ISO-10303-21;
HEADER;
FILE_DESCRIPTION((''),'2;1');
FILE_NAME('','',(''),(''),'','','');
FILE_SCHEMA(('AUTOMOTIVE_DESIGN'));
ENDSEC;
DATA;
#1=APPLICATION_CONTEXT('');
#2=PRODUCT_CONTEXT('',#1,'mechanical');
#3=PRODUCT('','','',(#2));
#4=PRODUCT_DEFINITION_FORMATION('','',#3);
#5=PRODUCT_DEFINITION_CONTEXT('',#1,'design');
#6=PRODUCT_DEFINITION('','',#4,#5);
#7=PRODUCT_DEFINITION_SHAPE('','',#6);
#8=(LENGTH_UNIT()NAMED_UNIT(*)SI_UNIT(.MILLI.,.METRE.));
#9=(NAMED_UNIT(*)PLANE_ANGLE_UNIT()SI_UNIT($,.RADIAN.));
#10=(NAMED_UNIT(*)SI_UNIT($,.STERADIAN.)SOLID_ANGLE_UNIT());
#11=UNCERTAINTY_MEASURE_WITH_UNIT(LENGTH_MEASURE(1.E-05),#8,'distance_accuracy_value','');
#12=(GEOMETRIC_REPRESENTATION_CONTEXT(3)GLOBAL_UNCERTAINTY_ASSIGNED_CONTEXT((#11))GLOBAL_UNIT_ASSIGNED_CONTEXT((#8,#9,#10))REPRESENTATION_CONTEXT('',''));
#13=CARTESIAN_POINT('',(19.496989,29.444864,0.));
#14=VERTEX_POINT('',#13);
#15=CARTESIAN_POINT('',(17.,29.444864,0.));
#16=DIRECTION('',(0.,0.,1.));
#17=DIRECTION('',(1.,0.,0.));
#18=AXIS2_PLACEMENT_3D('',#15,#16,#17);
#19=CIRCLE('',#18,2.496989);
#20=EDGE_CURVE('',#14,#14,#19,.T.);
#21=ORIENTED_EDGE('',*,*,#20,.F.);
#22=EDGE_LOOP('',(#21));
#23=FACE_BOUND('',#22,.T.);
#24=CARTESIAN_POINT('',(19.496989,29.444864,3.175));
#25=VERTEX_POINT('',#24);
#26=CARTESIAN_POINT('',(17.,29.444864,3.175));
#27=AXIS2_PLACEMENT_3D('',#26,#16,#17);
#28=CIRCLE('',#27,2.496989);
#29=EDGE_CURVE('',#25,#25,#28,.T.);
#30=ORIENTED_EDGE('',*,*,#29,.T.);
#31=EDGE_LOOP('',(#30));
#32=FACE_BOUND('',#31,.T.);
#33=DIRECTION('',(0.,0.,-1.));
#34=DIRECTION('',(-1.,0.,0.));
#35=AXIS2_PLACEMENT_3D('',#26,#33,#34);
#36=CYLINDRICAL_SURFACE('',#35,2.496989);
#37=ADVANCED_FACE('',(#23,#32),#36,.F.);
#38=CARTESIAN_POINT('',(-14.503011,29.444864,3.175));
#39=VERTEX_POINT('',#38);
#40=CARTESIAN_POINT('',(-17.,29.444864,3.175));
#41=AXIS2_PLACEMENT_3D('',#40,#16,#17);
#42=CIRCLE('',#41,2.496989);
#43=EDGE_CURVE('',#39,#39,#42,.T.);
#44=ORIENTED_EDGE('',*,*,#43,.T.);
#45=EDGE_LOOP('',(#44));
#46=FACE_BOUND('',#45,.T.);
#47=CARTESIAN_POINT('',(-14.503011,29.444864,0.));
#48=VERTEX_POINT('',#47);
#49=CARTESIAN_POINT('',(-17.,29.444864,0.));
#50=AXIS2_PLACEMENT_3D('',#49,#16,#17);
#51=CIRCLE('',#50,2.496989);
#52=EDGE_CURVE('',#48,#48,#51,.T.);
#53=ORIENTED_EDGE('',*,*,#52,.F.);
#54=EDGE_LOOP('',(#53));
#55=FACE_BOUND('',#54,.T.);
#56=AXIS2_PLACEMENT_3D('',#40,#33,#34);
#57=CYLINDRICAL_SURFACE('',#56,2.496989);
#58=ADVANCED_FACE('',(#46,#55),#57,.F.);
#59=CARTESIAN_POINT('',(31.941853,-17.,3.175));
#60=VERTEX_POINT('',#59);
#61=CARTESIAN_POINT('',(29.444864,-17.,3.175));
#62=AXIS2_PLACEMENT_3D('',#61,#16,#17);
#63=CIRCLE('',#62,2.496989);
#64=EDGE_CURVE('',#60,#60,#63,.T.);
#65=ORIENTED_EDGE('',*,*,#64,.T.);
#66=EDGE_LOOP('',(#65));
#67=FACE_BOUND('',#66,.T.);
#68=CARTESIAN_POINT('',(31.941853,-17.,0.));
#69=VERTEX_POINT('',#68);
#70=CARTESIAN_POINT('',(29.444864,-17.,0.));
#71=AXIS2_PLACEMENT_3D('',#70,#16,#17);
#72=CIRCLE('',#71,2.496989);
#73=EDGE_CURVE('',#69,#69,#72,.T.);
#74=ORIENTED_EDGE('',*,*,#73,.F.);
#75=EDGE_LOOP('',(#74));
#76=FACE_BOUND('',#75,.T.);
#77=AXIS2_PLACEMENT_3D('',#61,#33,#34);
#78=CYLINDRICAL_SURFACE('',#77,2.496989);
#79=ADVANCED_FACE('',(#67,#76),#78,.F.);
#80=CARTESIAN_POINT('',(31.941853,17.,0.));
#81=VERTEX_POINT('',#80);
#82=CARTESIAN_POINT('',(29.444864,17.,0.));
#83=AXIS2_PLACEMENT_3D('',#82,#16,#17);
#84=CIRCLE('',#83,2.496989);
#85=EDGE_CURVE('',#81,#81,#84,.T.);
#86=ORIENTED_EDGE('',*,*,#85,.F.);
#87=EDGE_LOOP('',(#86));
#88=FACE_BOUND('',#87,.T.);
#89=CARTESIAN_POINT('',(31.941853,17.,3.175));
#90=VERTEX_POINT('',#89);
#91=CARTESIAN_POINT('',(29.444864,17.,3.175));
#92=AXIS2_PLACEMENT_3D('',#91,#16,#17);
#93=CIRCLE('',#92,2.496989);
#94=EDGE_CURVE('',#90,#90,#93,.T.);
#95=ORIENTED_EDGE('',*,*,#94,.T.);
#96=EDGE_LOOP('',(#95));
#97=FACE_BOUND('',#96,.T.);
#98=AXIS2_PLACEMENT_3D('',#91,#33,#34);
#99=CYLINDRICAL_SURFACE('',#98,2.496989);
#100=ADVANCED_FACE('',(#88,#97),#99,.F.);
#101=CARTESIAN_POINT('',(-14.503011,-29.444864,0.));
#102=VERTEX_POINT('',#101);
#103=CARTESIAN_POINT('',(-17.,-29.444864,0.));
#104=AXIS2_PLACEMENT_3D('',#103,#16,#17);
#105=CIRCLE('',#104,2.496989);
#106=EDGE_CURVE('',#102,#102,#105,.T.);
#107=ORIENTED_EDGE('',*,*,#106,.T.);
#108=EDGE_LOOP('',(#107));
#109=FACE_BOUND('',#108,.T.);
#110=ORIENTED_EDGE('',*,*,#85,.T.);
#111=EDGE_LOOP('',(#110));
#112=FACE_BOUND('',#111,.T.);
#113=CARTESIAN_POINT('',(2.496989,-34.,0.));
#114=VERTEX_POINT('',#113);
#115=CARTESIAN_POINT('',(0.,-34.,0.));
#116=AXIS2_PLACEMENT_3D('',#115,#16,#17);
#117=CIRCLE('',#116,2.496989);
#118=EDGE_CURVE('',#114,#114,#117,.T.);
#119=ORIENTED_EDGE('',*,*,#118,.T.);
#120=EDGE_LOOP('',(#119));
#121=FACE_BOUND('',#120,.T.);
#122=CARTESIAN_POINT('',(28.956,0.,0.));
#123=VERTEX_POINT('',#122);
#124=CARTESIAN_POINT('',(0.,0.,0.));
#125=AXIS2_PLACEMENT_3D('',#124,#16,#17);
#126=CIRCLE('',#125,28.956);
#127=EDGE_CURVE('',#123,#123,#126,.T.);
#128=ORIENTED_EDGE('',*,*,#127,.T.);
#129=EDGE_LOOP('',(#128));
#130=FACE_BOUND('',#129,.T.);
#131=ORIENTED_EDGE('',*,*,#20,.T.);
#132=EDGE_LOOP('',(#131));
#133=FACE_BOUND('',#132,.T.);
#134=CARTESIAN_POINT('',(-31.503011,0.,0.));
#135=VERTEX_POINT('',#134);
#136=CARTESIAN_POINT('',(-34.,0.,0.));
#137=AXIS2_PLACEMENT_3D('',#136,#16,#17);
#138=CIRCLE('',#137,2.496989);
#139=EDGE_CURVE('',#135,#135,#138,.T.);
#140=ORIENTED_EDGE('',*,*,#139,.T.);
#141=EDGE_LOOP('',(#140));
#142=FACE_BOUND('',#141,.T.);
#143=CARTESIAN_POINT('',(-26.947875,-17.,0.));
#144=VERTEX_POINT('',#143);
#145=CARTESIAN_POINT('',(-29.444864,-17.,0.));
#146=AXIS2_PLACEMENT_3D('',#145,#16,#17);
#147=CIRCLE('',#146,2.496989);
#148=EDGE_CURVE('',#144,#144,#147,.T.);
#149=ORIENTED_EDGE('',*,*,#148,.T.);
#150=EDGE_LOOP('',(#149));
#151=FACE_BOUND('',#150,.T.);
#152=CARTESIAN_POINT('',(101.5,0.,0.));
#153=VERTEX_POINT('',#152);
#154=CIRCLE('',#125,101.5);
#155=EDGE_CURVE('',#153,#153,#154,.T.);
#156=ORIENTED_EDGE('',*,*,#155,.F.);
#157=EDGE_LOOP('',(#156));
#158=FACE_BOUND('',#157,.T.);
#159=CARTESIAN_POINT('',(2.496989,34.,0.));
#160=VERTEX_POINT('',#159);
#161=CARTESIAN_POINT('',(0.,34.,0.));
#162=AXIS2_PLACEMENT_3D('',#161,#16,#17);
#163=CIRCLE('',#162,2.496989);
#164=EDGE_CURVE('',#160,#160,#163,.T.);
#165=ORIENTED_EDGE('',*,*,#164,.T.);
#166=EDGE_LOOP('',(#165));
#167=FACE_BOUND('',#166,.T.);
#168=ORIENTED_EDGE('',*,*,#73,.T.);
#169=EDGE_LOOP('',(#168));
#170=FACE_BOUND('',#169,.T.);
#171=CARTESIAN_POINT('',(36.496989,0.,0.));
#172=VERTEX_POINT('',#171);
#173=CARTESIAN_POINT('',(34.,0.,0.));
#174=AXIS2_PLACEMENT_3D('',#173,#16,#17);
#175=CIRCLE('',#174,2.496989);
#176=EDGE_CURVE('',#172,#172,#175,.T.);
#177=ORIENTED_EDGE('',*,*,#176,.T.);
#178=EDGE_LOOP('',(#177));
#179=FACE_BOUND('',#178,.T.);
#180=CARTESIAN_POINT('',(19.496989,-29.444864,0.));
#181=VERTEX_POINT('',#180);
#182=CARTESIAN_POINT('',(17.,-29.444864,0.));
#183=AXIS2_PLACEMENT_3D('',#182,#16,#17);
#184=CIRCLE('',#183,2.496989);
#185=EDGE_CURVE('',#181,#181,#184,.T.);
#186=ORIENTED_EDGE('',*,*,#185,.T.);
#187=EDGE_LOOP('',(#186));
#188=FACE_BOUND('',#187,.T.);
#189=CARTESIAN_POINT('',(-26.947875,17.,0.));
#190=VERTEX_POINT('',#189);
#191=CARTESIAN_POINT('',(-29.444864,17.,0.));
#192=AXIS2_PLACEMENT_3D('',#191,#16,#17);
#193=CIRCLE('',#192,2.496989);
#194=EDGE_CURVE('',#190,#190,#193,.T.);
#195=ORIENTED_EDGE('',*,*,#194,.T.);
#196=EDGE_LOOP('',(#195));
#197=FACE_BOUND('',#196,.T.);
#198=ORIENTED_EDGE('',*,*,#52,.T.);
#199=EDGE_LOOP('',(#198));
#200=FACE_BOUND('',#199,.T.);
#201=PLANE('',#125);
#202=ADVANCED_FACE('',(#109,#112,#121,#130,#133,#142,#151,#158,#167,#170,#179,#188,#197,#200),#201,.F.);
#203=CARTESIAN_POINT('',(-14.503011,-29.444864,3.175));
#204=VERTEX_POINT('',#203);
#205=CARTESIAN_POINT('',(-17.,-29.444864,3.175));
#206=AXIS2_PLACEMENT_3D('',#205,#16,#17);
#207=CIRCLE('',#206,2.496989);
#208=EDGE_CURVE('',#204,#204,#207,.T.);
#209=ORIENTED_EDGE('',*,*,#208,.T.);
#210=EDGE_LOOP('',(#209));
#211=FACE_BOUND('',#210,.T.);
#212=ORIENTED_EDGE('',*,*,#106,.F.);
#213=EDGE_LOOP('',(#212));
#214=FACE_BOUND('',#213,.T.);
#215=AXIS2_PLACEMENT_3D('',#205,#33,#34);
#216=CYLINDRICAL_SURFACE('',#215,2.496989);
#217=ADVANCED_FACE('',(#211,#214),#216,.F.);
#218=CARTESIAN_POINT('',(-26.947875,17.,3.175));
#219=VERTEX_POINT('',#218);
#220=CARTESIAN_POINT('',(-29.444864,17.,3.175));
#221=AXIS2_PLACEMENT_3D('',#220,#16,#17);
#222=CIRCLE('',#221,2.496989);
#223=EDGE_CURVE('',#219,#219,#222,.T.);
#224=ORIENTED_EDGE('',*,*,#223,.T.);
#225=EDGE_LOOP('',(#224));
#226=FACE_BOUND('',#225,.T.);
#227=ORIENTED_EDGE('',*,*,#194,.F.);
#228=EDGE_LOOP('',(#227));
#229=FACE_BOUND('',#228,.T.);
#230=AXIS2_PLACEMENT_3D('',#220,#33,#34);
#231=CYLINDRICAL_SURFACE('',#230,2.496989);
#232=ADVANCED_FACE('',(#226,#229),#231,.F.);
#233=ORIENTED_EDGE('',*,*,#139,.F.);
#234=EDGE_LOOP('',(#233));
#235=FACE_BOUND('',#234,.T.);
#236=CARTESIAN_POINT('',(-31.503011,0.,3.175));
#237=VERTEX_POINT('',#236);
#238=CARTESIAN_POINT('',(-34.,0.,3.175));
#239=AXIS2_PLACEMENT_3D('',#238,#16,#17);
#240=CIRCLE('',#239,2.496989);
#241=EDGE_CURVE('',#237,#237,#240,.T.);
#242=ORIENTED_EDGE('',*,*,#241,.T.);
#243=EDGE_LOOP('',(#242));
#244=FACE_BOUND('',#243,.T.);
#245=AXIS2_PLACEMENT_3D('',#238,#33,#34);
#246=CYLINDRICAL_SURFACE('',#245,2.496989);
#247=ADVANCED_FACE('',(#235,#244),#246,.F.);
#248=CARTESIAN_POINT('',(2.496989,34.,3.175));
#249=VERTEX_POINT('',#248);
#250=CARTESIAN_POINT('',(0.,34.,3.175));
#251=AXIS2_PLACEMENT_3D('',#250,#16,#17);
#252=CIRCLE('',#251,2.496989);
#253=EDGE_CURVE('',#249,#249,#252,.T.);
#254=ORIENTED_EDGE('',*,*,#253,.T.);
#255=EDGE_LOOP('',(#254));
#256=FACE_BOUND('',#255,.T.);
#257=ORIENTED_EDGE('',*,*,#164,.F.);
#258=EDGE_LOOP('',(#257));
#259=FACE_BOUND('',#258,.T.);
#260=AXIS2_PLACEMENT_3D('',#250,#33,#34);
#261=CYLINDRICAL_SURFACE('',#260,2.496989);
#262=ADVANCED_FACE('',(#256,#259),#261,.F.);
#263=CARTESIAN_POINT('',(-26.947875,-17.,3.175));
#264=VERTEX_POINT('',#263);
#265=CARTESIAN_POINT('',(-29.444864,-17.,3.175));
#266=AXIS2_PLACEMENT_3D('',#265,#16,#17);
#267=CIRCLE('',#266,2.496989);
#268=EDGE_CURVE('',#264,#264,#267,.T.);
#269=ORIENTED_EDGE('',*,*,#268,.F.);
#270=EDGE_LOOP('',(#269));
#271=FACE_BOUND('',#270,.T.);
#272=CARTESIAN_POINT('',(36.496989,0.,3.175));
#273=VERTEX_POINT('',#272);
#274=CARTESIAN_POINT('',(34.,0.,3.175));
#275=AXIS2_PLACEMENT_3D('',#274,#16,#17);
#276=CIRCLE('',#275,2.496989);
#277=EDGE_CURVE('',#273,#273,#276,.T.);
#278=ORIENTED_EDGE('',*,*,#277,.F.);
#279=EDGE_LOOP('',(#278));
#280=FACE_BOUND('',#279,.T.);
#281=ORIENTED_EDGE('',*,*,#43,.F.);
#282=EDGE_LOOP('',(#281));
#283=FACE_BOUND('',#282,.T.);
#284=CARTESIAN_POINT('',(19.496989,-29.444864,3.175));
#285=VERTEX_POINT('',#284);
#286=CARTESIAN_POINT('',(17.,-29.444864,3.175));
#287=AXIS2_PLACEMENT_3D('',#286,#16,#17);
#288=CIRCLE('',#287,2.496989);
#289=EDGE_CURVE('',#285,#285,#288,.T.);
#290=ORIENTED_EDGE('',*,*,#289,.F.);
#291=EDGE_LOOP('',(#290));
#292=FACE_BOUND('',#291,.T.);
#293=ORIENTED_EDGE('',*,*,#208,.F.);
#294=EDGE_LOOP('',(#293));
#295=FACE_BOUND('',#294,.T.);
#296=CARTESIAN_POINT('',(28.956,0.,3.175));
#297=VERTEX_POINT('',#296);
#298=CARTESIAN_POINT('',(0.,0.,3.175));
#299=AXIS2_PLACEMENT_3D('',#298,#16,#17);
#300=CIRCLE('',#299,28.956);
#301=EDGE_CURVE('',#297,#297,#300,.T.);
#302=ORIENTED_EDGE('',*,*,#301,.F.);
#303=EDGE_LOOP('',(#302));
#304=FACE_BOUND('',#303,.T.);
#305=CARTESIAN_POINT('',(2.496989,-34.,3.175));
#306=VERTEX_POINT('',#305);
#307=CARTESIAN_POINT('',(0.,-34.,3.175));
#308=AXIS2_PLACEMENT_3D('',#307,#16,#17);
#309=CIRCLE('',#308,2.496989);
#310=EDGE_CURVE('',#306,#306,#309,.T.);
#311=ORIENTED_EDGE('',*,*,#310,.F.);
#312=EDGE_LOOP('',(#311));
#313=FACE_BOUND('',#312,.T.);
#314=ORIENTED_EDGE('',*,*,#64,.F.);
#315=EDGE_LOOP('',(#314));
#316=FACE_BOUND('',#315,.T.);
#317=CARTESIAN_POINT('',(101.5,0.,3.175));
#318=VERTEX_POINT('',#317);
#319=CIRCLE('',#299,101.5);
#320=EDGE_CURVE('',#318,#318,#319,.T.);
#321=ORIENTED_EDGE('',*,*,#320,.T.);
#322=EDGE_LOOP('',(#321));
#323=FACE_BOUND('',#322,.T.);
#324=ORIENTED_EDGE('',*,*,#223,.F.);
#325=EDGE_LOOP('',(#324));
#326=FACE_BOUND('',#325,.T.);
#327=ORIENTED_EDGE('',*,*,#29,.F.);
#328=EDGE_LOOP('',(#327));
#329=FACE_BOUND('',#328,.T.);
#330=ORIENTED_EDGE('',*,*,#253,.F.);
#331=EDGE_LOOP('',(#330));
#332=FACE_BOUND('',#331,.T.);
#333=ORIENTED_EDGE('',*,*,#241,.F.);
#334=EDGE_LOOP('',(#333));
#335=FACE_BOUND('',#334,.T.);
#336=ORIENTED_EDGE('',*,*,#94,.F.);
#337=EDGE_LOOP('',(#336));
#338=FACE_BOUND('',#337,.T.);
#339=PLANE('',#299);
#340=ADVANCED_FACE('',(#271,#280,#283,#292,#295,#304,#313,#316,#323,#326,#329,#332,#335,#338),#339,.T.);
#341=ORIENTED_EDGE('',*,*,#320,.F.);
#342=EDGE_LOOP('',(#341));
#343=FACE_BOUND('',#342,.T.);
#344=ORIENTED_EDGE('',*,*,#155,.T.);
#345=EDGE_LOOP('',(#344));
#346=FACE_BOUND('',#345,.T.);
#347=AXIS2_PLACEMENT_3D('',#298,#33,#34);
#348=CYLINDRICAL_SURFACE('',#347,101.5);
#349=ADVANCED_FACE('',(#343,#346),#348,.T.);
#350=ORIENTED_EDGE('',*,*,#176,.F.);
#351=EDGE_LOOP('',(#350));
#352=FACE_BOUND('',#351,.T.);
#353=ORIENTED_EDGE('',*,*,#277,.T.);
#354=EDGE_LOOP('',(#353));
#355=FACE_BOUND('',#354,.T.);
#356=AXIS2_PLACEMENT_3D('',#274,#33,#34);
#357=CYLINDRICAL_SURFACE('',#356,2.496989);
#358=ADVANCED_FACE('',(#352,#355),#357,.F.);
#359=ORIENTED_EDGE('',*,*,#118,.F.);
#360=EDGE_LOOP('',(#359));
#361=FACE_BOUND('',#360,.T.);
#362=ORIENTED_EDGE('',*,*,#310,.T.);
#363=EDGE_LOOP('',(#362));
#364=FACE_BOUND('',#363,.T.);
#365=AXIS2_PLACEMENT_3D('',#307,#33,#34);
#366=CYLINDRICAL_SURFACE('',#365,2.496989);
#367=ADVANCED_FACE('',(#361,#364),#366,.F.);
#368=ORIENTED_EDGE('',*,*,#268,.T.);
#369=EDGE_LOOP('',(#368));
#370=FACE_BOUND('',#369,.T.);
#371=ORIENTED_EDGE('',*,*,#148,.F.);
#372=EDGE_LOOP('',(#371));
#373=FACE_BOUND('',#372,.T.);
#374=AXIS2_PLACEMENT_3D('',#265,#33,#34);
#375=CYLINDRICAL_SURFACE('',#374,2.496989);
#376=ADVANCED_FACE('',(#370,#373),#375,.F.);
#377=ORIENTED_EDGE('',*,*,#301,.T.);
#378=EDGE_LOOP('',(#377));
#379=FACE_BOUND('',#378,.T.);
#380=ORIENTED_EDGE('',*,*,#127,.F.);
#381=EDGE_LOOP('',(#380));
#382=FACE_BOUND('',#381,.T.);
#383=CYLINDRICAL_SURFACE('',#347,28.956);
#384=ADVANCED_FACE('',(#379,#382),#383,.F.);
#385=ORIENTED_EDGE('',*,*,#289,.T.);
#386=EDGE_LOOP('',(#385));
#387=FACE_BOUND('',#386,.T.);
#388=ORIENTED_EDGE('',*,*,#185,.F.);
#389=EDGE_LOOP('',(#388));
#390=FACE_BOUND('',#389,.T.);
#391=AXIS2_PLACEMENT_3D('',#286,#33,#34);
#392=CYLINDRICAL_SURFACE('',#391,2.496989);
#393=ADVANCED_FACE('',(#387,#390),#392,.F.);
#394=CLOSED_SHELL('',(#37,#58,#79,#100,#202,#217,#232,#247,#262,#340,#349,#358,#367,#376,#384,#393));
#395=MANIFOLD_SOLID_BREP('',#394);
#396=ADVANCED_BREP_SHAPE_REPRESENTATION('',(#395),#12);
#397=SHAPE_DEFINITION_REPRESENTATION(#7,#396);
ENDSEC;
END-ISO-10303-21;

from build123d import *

# Parameters (mm, degrees)
SKETCH1_R           = 101.5
SKETCH1_R_2         = 28.956
SKETCH1_R_3         = 2.49698907
BOSS_EXTRUDE1_DEPTH = 3.175


with BuildPart() as part:
    # Sketch1 → Boss-Extrude1 (new body)
    with BuildSketch(Plane.XY):
        Circle(SKETCH1_R)
        Circle(SKETCH1_R_2, mode=Mode.SUBTRACT)
        with Locations((0, 34)):
            Circle(SKETCH1_R_3, mode=Mode.SUBTRACT)
        with Locations((17, 29.444863729)):
            Circle(SKETCH1_R_3, mode=Mode.SUBTRACT)
        with Locations((29.444863729, 17)):
            Circle(SKETCH1_R_3, mode=Mode.SUBTRACT)
        with Locations((34, 0)):
            Circle(SKETCH1_R_3, mode=Mode.SUBTRACT)
        with Locations((29.444863729, -17)):
            Circle(SKETCH1_R_3, mode=Mode.SUBTRACT)
        with Locations((17, -29.444863729)):
            Circle(SKETCH1_R_3, mode=Mode.SUBTRACT)
        with Locations((0, -34)):
            Circle(SKETCH1_R_3, mode=Mode.SUBTRACT)
        with Locations((-17, -29.444863729)):
            Circle(SKETCH1_R_3, mode=Mode.SUBTRACT)
        with Locations((-29.444863729, -17)):
            Circle(SKETCH1_R_3, mode=Mode.SUBTRACT)
        with Locations((-34, 0)):
            Circle(SKETCH1_R_3, mode=Mode.SUBTRACT)
        with Locations((-29.444863729, 17)):
            Circle(SKETCH1_R_3, mode=Mode.SUBTRACT)
        with Locations((-17, 29.444863729)):
            Circle(SKETCH1_R_3, mode=Mode.SUBTRACT)
    extrude(amount=BOSS_EXTRUDE1_DEPTH)


solid = part.part
